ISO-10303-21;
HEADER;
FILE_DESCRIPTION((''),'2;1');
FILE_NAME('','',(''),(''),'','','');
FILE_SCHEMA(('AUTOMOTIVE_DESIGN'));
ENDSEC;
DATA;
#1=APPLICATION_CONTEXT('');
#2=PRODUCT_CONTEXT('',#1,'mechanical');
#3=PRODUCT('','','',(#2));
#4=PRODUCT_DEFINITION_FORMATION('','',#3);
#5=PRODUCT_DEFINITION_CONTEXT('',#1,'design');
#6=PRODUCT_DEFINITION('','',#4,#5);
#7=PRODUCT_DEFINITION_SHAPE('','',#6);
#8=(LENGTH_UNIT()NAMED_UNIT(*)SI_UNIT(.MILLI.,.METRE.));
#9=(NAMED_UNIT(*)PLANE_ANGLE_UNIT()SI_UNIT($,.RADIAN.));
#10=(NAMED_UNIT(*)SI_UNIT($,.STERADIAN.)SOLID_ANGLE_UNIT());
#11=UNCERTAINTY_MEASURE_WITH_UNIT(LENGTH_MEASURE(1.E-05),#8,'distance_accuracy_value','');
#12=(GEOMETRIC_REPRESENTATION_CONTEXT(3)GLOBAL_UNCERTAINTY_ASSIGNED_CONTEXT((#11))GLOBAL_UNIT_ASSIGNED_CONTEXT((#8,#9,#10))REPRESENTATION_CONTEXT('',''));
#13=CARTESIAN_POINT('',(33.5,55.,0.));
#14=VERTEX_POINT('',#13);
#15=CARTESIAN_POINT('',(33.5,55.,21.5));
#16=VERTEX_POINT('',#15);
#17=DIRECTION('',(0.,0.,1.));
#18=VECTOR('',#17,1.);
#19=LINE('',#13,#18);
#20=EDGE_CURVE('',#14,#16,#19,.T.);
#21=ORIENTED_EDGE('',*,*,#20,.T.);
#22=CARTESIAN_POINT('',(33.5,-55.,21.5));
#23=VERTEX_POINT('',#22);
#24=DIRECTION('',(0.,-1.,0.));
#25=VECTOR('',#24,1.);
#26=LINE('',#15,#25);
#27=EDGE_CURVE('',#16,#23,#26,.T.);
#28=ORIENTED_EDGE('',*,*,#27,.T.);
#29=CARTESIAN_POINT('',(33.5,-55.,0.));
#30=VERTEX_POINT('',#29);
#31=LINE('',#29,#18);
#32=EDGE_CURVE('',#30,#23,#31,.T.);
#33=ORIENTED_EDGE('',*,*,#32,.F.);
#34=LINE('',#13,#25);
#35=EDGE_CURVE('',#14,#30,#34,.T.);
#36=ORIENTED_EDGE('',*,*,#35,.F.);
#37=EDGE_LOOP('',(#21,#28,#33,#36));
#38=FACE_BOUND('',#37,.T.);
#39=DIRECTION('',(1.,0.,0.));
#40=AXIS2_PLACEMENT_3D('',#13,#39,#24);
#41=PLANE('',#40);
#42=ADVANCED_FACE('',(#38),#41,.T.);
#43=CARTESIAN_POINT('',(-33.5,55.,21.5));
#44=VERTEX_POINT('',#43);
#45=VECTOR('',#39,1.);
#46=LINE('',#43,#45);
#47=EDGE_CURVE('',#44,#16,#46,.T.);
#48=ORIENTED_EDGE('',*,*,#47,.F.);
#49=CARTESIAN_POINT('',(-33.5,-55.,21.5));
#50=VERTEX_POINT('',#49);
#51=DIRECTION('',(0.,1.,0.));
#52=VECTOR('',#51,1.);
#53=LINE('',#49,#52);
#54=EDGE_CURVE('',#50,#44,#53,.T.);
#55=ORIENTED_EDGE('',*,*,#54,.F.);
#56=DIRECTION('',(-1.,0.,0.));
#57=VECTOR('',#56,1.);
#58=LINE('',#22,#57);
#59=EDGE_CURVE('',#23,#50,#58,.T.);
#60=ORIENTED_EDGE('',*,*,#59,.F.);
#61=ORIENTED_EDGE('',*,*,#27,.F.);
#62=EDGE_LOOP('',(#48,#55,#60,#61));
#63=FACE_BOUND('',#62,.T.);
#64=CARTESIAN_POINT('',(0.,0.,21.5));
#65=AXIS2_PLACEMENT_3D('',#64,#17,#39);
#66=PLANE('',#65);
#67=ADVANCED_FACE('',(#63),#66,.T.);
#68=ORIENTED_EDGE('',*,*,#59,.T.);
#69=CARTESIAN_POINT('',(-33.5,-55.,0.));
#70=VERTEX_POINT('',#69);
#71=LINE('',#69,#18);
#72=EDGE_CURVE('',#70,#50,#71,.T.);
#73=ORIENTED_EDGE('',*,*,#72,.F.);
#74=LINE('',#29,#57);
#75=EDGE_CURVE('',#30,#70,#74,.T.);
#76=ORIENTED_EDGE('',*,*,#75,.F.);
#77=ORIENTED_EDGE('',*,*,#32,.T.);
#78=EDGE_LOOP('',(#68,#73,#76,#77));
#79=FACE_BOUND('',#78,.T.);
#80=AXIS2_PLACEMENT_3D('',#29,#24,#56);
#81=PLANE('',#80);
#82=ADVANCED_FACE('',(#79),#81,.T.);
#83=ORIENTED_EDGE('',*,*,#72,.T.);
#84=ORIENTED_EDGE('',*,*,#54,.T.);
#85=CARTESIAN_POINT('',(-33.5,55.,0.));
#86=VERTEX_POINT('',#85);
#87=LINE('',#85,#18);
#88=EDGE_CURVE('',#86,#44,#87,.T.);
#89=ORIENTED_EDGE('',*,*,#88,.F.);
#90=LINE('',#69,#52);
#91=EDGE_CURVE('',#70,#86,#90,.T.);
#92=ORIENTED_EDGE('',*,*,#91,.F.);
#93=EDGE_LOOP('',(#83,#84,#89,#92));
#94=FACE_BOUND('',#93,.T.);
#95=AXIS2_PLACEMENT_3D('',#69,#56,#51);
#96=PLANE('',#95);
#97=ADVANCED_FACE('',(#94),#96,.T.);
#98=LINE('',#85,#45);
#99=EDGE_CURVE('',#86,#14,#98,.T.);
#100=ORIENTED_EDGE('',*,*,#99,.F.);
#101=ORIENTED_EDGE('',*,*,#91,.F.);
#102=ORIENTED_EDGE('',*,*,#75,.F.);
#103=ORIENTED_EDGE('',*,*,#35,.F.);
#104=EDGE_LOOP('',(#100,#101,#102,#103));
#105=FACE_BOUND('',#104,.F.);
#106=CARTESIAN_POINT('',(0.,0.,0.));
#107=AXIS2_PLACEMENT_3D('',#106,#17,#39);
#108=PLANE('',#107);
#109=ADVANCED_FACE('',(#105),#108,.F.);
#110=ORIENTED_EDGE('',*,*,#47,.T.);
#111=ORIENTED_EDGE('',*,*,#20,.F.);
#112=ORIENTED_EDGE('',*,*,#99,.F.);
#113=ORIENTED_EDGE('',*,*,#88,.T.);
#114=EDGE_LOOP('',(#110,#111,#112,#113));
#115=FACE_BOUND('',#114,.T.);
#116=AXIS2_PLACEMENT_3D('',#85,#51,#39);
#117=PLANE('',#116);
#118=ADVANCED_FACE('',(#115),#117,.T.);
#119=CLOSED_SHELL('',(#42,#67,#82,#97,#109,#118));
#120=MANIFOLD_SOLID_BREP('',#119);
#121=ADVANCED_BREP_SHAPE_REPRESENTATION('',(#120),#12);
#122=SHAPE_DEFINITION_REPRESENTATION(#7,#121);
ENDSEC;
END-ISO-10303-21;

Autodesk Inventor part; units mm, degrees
ref_plane "YZ Plane" through (0, 0, 0) normal (1, 0, 0) x (0, 1, 0)
ref_plane "XZ Plane" through (0, 0, 0) normal (0, 1, 0) x (-1, 0, 0)
ref_plane "XY Plane" through (0, 0, 0) normal (0, 0, 1) x (1, 0, 0)
sketch "스케치1" plane through (0, 0, 0) normal (0, 0, 1) x (1, 0, 0)
  line L0 (33.5, -55) -> (-33.5, -55)
  line L1 (-33.5, -55) -> (-33.5, 55)
  line L2 (-33.5, 55) -> (33.5, 55)
  line L3 (33.5, 55) -> (33.5, -55)
  line L4 (33.5, -55) -> (-33.5, 55) construction
  line L5 (-33.5, -55) -> (33.5, 55) construction
  point P0 (0, 0)
  dimension "d0" = 67
  dimension "d1" = 110
extrude "돌출1" add sketch "스케치1" along normal blind 21.5
properties part number "SAFRS-P-0026"
